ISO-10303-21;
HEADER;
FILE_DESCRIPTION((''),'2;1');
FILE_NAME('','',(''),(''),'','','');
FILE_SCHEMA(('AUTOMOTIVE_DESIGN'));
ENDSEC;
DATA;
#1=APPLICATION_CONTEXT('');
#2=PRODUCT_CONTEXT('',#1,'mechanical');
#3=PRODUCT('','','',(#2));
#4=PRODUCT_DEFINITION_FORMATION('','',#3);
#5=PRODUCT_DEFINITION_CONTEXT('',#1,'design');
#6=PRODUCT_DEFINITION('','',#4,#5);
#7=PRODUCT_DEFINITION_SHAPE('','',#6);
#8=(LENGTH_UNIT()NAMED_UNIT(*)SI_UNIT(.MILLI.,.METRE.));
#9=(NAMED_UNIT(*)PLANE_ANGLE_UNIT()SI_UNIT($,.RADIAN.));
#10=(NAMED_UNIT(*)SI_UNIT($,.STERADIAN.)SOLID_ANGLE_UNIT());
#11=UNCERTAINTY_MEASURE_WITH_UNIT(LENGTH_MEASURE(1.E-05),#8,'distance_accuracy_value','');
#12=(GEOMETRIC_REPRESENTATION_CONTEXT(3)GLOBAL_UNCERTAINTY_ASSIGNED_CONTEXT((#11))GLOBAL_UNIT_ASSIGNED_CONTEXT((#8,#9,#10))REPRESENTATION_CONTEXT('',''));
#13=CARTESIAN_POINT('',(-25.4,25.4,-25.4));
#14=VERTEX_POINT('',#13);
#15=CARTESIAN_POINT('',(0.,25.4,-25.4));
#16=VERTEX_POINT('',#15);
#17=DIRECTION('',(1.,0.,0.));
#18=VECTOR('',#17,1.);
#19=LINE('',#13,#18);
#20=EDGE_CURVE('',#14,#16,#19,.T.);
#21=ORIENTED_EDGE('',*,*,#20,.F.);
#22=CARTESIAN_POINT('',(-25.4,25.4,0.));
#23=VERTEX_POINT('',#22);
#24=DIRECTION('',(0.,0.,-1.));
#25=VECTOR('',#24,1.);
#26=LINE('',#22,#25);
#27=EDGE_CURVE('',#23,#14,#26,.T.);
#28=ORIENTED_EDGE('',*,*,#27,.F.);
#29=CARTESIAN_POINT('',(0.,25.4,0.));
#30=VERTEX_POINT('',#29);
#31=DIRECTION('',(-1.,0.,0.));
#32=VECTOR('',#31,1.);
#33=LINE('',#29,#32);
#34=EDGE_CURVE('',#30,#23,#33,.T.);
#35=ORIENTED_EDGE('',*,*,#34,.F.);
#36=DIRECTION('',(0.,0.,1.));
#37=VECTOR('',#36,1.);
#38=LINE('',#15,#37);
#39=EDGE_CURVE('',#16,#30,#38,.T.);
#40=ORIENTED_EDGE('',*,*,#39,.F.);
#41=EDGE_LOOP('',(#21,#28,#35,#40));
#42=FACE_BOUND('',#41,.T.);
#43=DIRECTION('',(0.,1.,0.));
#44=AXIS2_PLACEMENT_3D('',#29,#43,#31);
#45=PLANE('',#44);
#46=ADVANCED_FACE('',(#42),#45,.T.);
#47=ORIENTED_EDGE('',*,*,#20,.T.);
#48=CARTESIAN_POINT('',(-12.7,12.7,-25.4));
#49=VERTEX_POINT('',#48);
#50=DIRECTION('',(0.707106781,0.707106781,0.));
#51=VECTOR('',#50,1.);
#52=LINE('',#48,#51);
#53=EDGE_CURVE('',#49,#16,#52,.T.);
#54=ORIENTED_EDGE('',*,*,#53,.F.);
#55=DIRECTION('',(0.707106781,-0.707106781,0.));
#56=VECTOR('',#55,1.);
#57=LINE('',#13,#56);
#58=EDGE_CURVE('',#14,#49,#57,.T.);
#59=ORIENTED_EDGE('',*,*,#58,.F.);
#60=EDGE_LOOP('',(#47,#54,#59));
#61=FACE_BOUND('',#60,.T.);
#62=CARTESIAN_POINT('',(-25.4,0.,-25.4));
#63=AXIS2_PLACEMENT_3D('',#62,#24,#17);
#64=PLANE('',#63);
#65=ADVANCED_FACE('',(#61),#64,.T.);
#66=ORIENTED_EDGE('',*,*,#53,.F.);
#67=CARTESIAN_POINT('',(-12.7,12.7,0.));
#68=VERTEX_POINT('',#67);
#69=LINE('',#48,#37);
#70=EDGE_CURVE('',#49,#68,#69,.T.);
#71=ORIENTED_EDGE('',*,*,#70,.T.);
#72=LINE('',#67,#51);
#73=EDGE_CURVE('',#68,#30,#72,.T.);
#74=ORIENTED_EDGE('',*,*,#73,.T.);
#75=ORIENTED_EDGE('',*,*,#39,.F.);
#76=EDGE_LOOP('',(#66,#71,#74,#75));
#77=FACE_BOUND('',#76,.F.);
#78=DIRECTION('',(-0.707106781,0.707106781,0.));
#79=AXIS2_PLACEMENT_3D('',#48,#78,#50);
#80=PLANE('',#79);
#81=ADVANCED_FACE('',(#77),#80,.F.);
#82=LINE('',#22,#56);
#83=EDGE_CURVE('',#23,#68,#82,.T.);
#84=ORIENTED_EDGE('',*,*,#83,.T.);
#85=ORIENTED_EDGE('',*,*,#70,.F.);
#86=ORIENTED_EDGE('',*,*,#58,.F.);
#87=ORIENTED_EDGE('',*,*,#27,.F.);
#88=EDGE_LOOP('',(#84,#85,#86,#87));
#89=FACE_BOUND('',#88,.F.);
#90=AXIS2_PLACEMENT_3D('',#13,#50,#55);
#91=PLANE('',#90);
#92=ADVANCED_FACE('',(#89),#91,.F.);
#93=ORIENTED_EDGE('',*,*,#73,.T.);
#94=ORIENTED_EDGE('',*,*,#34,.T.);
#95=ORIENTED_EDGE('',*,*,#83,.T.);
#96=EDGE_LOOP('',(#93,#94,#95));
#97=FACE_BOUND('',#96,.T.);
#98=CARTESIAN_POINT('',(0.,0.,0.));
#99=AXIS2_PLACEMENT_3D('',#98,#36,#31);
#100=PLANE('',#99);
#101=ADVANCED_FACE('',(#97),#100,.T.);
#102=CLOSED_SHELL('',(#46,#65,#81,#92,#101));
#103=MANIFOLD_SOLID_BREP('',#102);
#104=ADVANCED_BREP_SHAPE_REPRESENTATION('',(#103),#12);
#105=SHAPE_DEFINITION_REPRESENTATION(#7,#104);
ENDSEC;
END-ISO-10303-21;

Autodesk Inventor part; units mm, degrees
ref_plane "YZ Plane" through (0, 0, 0) normal (1, 0, 0) x (0, 1, 0)
ref_plane "XZ Plane" through (0, 0, 0) normal (0, 1, 0) x (-1, 0, 0)
ref_plane "XY Plane" through (0, 0, 0) normal (0, 0, 1) x (1, 0, 0)
sketch "Sketch1" plane through (0, 0, 0) normal (0, 1, 0) x (-1, 0, 0)
  line L0 (0, 0) -> (25.4, 0)
  line L1 (25.4, 0) -> (25.4, -25.4)
  line L2 (25.4, -25.4) -> (0, -25.4)
  line L3 (0, -25.4) -> (0, 0)
  dimension "d0" = 25.4
  dimension "d1" = 25.4
extrude "Extrusion1" add sketch "Sketch1" along normal blind 25.4
sketch "Sketch2" plane through (0, 0, -25.4) normal (0, 0, -1) x (-1, 0, 0)
  line L0 (25.4, 25.4) -> (0, 25.4) projected
  line L1 (12.7, 12.7) -> (0, 25.4)
  line L2 (0, 25.4) -> (25.4, 25.4)
  line L3 (25.4, 25.4) -> (12.7, 12.7)
  line L4 (0, 0) -> (0, 25.4) projected
  line L5 (0, 25.4) -> (25.4, 25.4)
  line L6 (25.4, 25.4) -> (25.4, 0)
  line L7 (25.4, 0) -> (0, 0)
  line L8 (0, 0) -> (0, 25.4)
extrude "Extrusion3" cut sketch "Sketch2" against normal blind 25.4 contours L6 L7 L4 L1 L3
properties part number "2 color test pt1"
